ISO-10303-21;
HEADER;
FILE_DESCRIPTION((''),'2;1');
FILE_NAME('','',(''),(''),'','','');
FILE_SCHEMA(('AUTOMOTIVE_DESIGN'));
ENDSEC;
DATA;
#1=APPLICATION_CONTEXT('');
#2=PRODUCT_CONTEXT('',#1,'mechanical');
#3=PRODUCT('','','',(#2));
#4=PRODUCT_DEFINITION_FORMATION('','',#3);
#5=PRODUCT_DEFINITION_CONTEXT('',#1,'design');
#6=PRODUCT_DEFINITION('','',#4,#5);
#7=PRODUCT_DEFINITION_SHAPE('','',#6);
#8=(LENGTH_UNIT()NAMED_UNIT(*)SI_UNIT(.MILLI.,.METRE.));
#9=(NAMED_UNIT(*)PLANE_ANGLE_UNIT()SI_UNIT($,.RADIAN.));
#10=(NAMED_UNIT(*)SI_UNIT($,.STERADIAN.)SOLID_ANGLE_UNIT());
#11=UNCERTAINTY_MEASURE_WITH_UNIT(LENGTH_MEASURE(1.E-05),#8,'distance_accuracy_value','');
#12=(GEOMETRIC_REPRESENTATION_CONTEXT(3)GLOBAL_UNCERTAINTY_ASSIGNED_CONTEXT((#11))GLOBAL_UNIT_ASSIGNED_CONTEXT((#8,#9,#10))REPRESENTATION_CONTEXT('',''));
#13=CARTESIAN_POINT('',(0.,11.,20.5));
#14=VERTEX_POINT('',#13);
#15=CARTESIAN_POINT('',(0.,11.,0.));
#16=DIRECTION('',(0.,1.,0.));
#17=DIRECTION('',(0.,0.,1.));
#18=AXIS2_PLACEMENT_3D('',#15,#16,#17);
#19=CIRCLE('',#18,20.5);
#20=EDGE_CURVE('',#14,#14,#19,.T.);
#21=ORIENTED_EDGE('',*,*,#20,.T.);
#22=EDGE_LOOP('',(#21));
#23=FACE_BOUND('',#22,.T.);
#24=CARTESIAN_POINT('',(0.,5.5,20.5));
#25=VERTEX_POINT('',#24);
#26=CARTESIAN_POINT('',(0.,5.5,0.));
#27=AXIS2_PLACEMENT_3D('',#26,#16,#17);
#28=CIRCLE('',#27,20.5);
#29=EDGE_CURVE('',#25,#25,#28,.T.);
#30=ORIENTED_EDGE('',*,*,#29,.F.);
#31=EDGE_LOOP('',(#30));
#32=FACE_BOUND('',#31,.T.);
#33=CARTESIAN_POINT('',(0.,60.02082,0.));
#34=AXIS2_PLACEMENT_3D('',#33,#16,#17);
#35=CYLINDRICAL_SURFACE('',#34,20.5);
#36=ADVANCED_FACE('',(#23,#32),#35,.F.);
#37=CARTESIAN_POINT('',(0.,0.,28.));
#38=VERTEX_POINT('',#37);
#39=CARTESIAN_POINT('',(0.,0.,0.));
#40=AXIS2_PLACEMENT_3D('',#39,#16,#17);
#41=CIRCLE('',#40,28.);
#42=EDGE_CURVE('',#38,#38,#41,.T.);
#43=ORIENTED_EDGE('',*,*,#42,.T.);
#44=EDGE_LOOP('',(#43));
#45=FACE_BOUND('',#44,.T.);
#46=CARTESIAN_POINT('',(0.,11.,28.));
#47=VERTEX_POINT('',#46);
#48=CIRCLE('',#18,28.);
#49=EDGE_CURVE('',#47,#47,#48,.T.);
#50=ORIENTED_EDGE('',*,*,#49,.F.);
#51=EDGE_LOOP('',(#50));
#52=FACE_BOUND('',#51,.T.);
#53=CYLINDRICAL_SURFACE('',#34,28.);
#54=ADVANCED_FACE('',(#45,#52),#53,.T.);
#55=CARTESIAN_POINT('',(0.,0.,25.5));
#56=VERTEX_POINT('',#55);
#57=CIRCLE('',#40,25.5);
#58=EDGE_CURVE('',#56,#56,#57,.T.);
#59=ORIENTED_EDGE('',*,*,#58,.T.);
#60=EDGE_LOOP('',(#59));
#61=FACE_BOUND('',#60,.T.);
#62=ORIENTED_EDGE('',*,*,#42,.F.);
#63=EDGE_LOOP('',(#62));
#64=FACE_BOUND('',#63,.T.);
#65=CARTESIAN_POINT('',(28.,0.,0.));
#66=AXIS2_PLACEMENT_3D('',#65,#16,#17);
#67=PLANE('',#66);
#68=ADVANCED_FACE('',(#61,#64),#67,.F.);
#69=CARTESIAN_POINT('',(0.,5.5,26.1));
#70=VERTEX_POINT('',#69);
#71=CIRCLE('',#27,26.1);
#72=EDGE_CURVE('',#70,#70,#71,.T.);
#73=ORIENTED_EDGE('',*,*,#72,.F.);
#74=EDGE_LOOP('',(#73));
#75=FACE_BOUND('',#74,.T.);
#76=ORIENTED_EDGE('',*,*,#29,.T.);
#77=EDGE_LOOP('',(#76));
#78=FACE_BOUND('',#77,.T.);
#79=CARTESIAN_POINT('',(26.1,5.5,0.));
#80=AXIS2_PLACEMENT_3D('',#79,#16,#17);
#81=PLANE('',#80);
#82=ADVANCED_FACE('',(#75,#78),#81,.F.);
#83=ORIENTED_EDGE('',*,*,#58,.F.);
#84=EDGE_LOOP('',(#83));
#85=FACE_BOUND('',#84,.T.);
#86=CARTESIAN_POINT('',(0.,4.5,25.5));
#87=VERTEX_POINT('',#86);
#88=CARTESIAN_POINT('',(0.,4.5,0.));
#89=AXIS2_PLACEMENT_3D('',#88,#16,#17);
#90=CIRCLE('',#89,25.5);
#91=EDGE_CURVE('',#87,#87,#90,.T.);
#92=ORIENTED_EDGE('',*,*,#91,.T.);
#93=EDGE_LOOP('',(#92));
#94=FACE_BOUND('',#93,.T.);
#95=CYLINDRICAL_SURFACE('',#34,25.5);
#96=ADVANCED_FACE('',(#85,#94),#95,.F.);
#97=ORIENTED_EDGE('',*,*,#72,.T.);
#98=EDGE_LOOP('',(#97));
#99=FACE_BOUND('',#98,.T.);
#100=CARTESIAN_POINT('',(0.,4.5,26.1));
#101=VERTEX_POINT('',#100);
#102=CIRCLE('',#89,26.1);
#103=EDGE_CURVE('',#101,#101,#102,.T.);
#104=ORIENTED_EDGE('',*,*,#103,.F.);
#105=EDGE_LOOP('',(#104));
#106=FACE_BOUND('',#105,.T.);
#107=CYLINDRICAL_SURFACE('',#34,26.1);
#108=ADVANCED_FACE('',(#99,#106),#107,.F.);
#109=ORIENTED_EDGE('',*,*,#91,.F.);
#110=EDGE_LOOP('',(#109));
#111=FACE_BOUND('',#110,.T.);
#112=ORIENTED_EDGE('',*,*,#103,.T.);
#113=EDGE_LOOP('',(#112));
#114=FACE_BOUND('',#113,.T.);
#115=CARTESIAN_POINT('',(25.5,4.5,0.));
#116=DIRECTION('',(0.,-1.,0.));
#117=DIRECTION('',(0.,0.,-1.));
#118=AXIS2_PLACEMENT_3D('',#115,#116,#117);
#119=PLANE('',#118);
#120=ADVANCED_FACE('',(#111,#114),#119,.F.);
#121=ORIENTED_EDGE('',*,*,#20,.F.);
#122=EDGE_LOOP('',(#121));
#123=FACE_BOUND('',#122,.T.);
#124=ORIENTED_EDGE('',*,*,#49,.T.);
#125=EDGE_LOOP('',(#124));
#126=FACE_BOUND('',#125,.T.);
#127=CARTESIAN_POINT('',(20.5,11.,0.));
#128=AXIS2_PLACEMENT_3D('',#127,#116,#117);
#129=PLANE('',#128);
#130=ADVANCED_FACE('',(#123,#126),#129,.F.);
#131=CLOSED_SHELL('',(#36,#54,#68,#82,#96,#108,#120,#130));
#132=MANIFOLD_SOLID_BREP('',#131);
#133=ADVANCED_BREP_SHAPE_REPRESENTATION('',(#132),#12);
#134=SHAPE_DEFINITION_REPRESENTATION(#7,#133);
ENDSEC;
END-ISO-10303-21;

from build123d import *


with BuildPart() as part:
    # 草图1 → 旋转1 (revolve)
    with BuildSketch(Plane.XY, mode=Mode.PRIVATE) as revolve_1_sk:
        Polygon((25.5, 0), (25.5, 4.5), (26.1, 4.5), (26.1, 5.5), (20.5, 5.5), (20.5, 11), (28, 11), (28, 0), align=None)
    revolve(revolve_1_sk.sketch.rotate(Axis((0, 60.020820414, 0), (0, -1, 0)), 90), axis=Axis((0, 60.020820414, 0), (0, -1, 0)))  # turned: the seam where the file's is


solid = part.part
